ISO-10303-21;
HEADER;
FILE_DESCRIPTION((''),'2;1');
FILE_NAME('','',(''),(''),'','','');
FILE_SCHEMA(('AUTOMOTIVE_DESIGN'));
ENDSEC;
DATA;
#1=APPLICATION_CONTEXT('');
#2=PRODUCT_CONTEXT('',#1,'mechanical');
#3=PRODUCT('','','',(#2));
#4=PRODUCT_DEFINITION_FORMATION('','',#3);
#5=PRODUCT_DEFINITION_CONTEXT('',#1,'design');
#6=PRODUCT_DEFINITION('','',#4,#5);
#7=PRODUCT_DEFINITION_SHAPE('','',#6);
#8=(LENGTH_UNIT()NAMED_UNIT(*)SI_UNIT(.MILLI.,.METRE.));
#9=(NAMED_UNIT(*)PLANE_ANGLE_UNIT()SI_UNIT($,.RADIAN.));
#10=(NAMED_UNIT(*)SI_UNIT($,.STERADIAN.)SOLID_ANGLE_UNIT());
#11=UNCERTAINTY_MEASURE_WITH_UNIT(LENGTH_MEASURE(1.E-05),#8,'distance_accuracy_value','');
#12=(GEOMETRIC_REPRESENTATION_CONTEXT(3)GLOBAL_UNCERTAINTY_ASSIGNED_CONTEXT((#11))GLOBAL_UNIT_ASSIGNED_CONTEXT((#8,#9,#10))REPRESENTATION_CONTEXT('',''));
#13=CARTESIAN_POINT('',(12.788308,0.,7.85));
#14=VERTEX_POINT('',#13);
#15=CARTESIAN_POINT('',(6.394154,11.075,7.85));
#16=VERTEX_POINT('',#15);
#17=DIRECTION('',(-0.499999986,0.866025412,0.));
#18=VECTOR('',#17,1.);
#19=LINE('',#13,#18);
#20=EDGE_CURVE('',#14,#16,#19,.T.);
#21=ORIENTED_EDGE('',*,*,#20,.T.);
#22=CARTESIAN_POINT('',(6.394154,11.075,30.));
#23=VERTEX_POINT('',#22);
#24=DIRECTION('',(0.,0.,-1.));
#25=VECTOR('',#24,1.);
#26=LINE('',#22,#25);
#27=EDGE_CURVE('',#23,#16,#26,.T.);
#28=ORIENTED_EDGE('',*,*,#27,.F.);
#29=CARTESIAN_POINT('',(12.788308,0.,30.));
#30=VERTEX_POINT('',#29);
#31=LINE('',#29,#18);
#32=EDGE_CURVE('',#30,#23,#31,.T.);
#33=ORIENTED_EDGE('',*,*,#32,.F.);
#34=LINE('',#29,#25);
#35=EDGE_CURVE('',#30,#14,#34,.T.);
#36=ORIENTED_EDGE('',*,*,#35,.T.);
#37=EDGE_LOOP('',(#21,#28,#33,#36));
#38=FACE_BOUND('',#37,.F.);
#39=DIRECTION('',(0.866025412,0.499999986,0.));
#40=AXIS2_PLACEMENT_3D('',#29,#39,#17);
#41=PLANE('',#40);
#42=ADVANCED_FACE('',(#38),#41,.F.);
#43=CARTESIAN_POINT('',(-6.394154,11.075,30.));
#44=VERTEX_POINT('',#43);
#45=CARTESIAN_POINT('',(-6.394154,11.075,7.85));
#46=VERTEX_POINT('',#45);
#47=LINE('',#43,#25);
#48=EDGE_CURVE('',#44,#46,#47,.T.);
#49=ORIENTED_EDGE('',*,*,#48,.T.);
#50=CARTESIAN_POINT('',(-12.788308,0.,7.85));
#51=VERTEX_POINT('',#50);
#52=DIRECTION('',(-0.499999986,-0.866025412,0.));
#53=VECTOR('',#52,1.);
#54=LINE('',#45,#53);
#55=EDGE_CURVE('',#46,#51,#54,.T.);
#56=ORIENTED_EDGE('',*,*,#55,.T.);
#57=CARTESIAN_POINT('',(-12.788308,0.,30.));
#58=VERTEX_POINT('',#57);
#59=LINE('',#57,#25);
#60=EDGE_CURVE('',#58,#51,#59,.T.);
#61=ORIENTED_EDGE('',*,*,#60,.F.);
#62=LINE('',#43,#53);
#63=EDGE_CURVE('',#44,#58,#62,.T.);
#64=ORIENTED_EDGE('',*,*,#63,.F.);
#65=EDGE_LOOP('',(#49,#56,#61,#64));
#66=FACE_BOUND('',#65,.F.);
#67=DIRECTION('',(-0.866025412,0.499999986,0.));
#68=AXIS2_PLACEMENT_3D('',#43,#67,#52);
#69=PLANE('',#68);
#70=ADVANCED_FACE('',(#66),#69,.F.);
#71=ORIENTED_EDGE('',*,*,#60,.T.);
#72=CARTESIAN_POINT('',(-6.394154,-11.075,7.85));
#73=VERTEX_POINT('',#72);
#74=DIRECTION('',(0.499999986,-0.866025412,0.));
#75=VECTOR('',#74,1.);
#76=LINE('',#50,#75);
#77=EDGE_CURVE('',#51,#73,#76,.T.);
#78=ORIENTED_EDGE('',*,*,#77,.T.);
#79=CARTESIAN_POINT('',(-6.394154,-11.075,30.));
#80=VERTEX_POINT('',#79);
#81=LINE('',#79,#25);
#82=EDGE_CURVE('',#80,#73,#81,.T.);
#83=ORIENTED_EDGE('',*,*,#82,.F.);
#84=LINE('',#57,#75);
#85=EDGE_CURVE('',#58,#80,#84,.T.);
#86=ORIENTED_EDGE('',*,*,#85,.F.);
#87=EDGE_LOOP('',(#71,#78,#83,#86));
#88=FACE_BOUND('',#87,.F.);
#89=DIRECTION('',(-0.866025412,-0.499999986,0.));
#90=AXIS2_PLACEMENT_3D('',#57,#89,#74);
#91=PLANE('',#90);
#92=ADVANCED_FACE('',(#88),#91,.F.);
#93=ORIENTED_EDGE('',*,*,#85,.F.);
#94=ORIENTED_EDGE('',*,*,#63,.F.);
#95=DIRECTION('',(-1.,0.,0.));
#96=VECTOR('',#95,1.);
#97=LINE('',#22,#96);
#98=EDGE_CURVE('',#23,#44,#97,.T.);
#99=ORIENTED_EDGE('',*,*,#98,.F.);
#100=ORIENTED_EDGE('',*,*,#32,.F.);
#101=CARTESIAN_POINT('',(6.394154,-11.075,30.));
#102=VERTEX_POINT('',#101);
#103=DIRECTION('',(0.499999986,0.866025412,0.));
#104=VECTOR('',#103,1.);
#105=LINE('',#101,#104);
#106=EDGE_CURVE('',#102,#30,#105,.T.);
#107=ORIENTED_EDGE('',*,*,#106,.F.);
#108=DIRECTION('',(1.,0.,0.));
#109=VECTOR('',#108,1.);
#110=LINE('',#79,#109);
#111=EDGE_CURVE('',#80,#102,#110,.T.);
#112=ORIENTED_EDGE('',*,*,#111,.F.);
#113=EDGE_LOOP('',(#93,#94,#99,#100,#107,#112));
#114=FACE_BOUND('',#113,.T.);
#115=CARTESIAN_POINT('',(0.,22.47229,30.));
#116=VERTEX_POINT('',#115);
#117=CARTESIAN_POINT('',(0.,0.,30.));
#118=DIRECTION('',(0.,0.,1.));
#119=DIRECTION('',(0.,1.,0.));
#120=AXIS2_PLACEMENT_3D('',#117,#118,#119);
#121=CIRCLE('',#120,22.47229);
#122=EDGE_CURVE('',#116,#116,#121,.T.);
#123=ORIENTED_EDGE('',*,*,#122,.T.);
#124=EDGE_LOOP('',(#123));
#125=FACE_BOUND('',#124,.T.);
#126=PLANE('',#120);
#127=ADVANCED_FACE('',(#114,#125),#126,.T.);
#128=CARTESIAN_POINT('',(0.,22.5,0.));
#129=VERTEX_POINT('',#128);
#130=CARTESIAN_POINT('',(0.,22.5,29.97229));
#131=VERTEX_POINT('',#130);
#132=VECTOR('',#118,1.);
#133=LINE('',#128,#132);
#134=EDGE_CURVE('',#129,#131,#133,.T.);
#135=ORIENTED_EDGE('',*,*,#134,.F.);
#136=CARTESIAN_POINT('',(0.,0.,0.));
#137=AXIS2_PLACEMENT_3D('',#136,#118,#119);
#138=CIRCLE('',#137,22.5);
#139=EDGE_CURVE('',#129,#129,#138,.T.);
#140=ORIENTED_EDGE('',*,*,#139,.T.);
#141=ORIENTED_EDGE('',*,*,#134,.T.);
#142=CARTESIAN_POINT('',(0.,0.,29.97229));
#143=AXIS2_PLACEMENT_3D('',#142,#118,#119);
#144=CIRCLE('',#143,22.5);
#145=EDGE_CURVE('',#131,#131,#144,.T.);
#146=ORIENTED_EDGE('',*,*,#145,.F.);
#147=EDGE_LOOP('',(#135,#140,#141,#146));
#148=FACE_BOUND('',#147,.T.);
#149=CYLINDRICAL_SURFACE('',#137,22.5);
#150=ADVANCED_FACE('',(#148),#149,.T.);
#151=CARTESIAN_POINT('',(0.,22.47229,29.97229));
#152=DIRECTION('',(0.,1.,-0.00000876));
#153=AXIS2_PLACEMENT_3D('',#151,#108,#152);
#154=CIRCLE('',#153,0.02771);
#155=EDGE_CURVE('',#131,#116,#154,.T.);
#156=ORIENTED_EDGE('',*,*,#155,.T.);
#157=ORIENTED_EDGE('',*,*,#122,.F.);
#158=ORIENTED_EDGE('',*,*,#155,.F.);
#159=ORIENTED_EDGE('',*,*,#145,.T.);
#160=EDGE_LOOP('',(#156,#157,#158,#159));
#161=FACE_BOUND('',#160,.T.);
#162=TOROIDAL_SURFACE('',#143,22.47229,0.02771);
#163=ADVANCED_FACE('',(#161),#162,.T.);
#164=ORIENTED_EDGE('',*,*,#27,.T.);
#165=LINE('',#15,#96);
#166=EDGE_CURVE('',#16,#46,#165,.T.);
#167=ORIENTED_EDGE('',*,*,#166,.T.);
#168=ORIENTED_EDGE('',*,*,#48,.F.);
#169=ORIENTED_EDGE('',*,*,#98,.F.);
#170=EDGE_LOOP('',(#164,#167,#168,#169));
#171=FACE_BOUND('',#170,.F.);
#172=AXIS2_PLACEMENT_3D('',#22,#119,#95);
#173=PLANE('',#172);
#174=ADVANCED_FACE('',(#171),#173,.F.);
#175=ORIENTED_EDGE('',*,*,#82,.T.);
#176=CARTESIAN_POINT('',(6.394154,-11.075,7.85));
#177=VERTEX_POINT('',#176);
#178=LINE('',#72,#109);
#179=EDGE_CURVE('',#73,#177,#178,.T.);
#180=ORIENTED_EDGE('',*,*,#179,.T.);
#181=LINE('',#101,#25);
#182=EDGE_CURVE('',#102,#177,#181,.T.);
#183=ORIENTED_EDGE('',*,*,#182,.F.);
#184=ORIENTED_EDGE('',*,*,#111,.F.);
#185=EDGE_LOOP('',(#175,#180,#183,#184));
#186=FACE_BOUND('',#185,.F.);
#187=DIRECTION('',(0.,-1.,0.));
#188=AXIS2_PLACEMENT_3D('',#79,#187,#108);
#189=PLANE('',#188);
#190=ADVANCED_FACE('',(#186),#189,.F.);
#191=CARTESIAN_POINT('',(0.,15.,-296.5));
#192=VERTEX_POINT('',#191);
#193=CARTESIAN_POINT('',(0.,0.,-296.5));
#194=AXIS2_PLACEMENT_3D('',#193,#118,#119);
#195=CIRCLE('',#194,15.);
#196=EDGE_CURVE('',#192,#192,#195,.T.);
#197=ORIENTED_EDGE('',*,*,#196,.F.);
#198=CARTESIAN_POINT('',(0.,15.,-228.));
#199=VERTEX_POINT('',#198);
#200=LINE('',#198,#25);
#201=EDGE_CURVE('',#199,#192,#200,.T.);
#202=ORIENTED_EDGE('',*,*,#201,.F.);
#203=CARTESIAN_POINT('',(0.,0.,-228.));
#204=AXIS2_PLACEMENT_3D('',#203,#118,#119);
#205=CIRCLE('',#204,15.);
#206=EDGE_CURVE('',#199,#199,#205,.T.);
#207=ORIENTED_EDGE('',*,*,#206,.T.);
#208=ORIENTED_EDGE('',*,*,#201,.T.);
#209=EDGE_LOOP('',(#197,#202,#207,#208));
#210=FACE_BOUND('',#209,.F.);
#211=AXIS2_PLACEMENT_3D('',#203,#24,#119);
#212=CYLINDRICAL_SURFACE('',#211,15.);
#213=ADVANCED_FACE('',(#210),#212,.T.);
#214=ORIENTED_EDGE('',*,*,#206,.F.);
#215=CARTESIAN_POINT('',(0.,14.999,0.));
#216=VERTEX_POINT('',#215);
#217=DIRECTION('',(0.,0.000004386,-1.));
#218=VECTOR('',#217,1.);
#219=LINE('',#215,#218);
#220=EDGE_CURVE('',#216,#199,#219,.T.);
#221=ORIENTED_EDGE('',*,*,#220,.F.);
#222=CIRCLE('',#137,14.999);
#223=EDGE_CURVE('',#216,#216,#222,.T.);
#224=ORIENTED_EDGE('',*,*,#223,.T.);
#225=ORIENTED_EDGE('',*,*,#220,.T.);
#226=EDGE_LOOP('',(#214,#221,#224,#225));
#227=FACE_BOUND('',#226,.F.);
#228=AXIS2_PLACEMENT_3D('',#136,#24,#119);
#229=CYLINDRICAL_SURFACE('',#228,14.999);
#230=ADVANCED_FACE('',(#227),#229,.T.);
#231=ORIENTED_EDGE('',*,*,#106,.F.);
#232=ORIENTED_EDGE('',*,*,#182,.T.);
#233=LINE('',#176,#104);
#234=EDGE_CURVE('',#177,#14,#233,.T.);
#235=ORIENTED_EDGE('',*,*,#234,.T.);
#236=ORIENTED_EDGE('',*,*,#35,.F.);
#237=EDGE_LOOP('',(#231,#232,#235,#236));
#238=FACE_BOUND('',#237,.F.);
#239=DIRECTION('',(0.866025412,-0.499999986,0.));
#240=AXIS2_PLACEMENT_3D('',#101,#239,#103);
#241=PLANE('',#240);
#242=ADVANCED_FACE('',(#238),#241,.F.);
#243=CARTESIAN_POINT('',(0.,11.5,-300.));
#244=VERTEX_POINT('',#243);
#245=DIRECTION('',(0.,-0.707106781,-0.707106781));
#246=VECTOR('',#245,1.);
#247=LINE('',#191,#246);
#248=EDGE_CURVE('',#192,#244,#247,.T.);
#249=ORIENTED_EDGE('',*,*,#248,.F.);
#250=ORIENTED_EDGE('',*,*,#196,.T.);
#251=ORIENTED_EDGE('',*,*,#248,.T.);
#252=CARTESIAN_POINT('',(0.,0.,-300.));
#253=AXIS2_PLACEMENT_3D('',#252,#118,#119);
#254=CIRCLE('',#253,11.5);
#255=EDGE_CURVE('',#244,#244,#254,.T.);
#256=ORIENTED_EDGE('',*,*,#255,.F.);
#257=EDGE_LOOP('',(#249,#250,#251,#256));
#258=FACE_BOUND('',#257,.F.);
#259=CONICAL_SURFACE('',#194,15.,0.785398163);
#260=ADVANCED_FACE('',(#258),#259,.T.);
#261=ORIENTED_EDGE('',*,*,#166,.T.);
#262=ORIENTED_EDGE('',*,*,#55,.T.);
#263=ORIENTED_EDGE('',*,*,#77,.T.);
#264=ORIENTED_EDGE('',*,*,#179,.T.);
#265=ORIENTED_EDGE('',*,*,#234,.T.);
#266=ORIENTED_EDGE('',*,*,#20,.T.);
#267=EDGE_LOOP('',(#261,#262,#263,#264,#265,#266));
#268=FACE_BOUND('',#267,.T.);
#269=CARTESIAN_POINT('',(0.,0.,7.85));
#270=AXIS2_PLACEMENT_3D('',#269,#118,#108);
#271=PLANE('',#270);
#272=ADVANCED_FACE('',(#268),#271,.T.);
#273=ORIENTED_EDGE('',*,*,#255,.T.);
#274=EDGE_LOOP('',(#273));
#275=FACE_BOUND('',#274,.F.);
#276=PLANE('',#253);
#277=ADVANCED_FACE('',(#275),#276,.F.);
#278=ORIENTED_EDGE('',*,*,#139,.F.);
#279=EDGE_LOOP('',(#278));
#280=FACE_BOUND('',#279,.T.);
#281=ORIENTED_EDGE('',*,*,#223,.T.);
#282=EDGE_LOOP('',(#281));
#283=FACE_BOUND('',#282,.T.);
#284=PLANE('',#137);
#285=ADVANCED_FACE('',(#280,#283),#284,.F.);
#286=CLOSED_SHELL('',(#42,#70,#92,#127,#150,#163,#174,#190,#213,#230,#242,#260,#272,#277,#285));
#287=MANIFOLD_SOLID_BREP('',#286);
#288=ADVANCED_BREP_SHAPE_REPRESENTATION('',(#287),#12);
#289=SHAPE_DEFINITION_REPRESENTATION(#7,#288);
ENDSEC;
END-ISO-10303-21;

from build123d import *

# Parameters (mm, degrees)
POCKET_DEPTH = 22.15


with BuildPart() as part:
    # Sketch → Revolve (revolve)
    with BuildSketch(Plane.YZ):
        with BuildLine():
            Line((14.999, 0), (22.5, 0))
            Line((22.5, 0), (22.5, 29.97229))
            ThreePointArc((22.5, 29.97229), (22.491884, 29.991884), (22.47229, 30))
            Line((22.47229, 30), (0, 30))
            Line((0, -300), (0, 30))
            Line((11.5, -300), (0, -300))
            Line((15, -296.5), (11.5, -300))
            Line((15, -228), (15, -296.5))
            Line((14.999, 0), (15, -228))
        make_face()
    revolve(axis=Axis((0, 0, 0), (0, 0, 1)))

    # Sketch001 → Pocket (cut)
    with BuildSketch(Plane.XY.offset(30)):
        Polygon((12.788308, 0), (6.394154, 11.075), (-6.394154, 11.075), (-12.788308, 0), (-6.394154, -11.075), (6.394154, -11.075), align=None)
    extrude(amount=-POCKET_DEPTH, mode=Mode.SUBTRACT)


solid = part.part
